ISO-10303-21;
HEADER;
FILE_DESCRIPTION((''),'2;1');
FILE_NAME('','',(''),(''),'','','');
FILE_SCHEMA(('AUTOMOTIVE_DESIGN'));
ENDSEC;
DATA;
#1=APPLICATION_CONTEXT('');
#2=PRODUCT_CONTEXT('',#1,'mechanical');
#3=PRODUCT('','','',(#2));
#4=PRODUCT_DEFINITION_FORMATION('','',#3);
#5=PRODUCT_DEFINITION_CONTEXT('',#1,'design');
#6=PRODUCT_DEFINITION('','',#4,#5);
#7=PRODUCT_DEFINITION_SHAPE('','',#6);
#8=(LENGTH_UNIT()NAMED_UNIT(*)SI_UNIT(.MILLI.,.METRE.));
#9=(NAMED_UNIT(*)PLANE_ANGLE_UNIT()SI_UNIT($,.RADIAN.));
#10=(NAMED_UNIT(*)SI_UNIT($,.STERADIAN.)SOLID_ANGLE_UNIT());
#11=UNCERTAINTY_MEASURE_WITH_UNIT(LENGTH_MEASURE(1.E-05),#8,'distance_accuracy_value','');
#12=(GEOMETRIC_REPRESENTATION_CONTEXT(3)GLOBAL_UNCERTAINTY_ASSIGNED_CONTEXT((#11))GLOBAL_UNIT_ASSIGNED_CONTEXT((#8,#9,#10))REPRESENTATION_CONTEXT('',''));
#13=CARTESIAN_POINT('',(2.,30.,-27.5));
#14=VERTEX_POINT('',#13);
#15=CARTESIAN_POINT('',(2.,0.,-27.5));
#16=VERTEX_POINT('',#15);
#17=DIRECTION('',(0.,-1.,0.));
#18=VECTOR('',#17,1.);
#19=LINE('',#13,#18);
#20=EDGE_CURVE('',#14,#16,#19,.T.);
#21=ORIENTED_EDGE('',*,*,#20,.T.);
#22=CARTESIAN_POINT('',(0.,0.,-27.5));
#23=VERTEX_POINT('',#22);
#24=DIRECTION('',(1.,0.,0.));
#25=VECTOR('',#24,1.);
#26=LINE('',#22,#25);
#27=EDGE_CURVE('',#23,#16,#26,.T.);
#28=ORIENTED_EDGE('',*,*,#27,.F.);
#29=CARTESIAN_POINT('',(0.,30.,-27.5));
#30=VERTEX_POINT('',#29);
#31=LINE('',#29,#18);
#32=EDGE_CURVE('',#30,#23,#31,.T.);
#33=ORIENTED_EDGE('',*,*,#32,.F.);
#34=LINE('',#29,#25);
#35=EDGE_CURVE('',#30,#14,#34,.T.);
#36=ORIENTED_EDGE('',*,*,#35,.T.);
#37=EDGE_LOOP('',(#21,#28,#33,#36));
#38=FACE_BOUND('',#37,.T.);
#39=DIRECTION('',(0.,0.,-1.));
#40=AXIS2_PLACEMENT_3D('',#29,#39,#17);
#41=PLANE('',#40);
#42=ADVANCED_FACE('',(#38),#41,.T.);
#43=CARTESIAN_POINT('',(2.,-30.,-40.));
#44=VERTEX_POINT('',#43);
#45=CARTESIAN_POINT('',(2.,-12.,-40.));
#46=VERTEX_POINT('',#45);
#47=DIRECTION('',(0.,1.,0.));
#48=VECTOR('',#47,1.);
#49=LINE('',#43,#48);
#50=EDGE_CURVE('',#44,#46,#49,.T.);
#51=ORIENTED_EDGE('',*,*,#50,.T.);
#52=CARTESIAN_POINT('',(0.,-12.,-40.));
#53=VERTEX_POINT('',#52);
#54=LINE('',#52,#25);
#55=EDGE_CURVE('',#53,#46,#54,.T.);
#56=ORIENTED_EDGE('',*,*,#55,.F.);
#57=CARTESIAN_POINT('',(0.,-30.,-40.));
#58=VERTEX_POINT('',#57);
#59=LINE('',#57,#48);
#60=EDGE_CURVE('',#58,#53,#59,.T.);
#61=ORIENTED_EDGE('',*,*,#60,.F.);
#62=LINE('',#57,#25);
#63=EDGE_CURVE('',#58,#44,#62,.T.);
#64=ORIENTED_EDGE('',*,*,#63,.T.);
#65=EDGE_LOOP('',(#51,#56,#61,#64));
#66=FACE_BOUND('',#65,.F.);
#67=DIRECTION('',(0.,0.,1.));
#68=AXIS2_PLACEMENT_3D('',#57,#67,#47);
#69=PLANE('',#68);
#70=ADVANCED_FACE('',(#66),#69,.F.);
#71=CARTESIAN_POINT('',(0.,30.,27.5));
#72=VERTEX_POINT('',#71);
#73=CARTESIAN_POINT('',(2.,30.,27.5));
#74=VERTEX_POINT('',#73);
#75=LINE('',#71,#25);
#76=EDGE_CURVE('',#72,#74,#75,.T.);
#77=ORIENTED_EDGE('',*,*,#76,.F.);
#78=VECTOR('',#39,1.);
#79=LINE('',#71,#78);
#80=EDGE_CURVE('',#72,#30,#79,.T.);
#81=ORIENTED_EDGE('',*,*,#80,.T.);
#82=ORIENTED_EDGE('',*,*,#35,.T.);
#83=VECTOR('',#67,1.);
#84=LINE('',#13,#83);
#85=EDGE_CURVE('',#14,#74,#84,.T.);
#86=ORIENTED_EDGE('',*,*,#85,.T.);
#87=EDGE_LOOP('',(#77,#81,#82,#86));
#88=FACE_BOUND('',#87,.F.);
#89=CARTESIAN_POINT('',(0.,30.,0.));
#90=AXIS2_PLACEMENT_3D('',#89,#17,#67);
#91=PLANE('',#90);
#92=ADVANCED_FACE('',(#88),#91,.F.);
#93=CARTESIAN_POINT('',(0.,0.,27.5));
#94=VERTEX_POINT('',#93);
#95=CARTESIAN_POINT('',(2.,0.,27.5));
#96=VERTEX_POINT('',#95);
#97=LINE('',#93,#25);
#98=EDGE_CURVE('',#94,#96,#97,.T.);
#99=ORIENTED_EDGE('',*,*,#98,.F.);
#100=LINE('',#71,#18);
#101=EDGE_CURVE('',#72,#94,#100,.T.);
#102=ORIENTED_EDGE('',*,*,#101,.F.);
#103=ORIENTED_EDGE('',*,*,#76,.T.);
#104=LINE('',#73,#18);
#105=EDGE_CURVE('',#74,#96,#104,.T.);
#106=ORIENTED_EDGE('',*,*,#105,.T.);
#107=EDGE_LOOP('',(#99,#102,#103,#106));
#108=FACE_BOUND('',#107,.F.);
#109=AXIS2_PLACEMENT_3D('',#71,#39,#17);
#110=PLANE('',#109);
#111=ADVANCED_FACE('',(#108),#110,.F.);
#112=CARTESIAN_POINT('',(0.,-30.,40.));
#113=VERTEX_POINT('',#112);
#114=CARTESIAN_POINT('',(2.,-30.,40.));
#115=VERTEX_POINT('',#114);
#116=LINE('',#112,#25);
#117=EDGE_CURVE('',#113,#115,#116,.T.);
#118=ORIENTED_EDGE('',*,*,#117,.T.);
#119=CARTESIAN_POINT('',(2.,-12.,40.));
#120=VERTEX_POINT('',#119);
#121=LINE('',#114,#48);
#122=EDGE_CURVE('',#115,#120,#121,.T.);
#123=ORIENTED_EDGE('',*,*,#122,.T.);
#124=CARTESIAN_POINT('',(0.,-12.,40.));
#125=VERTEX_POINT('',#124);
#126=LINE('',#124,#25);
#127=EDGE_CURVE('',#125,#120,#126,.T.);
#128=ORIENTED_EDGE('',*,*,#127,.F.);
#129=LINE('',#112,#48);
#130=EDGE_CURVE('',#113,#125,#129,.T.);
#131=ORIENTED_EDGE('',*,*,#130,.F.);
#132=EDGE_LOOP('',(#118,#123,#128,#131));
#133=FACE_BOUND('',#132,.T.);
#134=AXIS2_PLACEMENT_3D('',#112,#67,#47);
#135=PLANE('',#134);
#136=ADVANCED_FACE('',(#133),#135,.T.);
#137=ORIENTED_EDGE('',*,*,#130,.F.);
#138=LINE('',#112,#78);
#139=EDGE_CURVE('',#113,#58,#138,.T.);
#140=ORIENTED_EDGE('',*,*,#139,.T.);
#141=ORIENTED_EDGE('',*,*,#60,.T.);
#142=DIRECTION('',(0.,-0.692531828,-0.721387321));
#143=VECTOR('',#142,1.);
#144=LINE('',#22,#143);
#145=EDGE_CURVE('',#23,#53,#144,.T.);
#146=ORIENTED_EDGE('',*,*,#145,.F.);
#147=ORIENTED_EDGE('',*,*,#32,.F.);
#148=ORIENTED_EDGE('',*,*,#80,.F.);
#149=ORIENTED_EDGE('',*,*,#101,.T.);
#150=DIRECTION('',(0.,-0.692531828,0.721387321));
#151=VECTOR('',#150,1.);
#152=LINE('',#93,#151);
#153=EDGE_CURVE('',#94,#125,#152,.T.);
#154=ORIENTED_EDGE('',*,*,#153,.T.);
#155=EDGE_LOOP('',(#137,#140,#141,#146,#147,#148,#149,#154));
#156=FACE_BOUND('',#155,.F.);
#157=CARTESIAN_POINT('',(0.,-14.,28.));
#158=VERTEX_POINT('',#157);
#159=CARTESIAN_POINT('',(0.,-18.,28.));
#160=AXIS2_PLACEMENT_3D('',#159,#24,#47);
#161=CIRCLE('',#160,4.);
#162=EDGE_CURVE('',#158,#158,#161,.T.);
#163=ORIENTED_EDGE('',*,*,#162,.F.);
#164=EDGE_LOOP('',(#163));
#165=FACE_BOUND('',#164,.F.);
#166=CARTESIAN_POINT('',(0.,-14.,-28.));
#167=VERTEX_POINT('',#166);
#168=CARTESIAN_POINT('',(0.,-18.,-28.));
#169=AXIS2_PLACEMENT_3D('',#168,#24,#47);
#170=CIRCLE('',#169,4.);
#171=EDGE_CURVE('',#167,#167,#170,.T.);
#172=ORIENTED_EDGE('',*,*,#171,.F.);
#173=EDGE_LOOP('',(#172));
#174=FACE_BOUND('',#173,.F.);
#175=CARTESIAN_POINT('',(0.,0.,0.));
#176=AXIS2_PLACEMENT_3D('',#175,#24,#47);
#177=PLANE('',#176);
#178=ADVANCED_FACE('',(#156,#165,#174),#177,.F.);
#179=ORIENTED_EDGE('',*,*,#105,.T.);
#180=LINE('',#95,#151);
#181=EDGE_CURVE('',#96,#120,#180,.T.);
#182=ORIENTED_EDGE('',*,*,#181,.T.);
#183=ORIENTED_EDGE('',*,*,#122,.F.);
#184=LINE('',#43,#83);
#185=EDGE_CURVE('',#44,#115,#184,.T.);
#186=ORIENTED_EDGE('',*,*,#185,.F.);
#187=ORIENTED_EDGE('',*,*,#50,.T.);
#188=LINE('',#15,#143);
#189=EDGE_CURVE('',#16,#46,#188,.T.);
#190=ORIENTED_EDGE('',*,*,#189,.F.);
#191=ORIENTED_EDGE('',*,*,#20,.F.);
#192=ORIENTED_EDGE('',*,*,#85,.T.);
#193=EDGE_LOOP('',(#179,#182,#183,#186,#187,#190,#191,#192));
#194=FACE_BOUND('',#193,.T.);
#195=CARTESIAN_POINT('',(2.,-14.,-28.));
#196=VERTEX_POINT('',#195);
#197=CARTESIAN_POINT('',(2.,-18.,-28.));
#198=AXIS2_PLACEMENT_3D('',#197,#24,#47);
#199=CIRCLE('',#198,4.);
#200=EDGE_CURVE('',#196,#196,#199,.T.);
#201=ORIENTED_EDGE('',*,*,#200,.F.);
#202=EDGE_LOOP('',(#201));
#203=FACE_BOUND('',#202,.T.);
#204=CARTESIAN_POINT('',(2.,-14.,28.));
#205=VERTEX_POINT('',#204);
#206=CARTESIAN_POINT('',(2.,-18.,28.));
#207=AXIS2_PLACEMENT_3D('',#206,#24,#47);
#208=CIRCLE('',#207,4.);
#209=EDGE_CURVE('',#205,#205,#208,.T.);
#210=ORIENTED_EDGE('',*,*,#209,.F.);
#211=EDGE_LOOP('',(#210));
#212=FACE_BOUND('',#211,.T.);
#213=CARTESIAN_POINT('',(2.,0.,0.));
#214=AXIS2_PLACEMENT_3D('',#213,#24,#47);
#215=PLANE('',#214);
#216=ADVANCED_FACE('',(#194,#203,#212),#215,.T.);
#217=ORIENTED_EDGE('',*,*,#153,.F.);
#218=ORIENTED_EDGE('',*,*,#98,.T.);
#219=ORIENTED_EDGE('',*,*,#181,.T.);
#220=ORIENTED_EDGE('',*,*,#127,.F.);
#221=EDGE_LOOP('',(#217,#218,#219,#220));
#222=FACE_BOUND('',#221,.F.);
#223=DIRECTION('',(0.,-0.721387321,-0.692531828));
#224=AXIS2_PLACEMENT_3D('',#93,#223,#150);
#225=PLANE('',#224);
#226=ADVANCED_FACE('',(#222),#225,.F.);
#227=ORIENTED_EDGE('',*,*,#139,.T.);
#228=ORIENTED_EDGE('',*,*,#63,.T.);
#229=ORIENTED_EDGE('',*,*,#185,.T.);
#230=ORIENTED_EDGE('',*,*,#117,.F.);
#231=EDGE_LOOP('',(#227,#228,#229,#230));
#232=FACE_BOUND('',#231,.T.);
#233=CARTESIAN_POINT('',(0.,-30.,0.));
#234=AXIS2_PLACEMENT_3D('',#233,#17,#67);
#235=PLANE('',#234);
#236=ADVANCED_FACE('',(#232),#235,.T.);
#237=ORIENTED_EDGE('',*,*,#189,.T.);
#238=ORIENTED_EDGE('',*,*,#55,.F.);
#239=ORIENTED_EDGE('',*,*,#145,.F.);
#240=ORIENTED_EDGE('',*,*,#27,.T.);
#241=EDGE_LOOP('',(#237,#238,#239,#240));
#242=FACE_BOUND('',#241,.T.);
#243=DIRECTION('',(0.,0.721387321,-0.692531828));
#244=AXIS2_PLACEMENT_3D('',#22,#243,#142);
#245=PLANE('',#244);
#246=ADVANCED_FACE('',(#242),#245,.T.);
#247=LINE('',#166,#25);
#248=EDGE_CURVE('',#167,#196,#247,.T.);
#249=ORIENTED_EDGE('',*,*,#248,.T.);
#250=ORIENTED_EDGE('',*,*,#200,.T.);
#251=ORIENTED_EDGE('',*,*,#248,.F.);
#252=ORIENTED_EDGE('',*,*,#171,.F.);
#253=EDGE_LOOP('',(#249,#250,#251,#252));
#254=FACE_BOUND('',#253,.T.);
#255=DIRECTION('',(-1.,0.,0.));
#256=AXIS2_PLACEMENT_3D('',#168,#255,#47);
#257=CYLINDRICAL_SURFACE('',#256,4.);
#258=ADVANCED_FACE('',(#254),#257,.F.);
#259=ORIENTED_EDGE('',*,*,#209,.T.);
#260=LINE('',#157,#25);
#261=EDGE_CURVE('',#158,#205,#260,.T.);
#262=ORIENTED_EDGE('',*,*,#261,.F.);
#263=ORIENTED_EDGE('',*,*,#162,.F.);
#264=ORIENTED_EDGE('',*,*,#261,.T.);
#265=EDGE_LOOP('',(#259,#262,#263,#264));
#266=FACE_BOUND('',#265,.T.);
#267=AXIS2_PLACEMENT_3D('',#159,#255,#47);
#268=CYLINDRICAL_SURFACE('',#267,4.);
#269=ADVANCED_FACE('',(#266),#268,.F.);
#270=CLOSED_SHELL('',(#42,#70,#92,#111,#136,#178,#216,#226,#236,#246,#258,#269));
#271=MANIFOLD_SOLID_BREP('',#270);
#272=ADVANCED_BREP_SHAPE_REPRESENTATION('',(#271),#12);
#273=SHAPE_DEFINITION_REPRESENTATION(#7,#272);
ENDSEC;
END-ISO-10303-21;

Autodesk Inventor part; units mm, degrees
ref_plane "YZ Plane" through (0, 0, 0) normal (1, 0, 0) x (0, 1, 0)
ref_plane "XZ Plane" through (0, 0, 0) normal (0, 1, 0) x (-1, 0, 0)
ref_plane "XY Plane" through (0, 0, 0) normal (0, 0, 1) x (1, 0, 0)
sketch "Эскиз1" plane through (0, 0, 0) normal (1, 0, 0) x (0, 1, 0)
  line L0 (-30, 0) -> (30, 0)
  line L1 (-30, 0) -> (-30, 40)
  line L2 (-30, 40) -> (-12, 40)
  line L3 (30, 0) -> (30, 27.5)
  line L4 (30, 27.5) -> (0, 27.5)
  line L5 (0, 27.5) -> (-12, 40)
  circle A0 centre (-18, 28) radius 4
  line L6 (-30, 0) -> (-30, -40)
  line L7 (-30, -40) -> (-12, -40)
  line L8 (30, 0) -> (30, -27.5)
  line L9 (30, -27.5) -> (0, -27.5)
  line L10 (0, -27.5) -> (-12, -40)
  circle A1 centre (-18, -28) radius 4
  point P0 (0, 0)
  point P1 (0, 0)
  dimension "d1" = 40
  dimension "d2" = 18
  dimension "d3" = 55
  dimension "d4" = 30
  dimension "d5" = 60
  dimension "d6" = 8
  dimension "d7" = 12
  dimension "d8" = 12
extrude "Выдавливание1" add sketch "Эскиз1" along normal blind 2
properties part number "Для иконки" material "Медь"
